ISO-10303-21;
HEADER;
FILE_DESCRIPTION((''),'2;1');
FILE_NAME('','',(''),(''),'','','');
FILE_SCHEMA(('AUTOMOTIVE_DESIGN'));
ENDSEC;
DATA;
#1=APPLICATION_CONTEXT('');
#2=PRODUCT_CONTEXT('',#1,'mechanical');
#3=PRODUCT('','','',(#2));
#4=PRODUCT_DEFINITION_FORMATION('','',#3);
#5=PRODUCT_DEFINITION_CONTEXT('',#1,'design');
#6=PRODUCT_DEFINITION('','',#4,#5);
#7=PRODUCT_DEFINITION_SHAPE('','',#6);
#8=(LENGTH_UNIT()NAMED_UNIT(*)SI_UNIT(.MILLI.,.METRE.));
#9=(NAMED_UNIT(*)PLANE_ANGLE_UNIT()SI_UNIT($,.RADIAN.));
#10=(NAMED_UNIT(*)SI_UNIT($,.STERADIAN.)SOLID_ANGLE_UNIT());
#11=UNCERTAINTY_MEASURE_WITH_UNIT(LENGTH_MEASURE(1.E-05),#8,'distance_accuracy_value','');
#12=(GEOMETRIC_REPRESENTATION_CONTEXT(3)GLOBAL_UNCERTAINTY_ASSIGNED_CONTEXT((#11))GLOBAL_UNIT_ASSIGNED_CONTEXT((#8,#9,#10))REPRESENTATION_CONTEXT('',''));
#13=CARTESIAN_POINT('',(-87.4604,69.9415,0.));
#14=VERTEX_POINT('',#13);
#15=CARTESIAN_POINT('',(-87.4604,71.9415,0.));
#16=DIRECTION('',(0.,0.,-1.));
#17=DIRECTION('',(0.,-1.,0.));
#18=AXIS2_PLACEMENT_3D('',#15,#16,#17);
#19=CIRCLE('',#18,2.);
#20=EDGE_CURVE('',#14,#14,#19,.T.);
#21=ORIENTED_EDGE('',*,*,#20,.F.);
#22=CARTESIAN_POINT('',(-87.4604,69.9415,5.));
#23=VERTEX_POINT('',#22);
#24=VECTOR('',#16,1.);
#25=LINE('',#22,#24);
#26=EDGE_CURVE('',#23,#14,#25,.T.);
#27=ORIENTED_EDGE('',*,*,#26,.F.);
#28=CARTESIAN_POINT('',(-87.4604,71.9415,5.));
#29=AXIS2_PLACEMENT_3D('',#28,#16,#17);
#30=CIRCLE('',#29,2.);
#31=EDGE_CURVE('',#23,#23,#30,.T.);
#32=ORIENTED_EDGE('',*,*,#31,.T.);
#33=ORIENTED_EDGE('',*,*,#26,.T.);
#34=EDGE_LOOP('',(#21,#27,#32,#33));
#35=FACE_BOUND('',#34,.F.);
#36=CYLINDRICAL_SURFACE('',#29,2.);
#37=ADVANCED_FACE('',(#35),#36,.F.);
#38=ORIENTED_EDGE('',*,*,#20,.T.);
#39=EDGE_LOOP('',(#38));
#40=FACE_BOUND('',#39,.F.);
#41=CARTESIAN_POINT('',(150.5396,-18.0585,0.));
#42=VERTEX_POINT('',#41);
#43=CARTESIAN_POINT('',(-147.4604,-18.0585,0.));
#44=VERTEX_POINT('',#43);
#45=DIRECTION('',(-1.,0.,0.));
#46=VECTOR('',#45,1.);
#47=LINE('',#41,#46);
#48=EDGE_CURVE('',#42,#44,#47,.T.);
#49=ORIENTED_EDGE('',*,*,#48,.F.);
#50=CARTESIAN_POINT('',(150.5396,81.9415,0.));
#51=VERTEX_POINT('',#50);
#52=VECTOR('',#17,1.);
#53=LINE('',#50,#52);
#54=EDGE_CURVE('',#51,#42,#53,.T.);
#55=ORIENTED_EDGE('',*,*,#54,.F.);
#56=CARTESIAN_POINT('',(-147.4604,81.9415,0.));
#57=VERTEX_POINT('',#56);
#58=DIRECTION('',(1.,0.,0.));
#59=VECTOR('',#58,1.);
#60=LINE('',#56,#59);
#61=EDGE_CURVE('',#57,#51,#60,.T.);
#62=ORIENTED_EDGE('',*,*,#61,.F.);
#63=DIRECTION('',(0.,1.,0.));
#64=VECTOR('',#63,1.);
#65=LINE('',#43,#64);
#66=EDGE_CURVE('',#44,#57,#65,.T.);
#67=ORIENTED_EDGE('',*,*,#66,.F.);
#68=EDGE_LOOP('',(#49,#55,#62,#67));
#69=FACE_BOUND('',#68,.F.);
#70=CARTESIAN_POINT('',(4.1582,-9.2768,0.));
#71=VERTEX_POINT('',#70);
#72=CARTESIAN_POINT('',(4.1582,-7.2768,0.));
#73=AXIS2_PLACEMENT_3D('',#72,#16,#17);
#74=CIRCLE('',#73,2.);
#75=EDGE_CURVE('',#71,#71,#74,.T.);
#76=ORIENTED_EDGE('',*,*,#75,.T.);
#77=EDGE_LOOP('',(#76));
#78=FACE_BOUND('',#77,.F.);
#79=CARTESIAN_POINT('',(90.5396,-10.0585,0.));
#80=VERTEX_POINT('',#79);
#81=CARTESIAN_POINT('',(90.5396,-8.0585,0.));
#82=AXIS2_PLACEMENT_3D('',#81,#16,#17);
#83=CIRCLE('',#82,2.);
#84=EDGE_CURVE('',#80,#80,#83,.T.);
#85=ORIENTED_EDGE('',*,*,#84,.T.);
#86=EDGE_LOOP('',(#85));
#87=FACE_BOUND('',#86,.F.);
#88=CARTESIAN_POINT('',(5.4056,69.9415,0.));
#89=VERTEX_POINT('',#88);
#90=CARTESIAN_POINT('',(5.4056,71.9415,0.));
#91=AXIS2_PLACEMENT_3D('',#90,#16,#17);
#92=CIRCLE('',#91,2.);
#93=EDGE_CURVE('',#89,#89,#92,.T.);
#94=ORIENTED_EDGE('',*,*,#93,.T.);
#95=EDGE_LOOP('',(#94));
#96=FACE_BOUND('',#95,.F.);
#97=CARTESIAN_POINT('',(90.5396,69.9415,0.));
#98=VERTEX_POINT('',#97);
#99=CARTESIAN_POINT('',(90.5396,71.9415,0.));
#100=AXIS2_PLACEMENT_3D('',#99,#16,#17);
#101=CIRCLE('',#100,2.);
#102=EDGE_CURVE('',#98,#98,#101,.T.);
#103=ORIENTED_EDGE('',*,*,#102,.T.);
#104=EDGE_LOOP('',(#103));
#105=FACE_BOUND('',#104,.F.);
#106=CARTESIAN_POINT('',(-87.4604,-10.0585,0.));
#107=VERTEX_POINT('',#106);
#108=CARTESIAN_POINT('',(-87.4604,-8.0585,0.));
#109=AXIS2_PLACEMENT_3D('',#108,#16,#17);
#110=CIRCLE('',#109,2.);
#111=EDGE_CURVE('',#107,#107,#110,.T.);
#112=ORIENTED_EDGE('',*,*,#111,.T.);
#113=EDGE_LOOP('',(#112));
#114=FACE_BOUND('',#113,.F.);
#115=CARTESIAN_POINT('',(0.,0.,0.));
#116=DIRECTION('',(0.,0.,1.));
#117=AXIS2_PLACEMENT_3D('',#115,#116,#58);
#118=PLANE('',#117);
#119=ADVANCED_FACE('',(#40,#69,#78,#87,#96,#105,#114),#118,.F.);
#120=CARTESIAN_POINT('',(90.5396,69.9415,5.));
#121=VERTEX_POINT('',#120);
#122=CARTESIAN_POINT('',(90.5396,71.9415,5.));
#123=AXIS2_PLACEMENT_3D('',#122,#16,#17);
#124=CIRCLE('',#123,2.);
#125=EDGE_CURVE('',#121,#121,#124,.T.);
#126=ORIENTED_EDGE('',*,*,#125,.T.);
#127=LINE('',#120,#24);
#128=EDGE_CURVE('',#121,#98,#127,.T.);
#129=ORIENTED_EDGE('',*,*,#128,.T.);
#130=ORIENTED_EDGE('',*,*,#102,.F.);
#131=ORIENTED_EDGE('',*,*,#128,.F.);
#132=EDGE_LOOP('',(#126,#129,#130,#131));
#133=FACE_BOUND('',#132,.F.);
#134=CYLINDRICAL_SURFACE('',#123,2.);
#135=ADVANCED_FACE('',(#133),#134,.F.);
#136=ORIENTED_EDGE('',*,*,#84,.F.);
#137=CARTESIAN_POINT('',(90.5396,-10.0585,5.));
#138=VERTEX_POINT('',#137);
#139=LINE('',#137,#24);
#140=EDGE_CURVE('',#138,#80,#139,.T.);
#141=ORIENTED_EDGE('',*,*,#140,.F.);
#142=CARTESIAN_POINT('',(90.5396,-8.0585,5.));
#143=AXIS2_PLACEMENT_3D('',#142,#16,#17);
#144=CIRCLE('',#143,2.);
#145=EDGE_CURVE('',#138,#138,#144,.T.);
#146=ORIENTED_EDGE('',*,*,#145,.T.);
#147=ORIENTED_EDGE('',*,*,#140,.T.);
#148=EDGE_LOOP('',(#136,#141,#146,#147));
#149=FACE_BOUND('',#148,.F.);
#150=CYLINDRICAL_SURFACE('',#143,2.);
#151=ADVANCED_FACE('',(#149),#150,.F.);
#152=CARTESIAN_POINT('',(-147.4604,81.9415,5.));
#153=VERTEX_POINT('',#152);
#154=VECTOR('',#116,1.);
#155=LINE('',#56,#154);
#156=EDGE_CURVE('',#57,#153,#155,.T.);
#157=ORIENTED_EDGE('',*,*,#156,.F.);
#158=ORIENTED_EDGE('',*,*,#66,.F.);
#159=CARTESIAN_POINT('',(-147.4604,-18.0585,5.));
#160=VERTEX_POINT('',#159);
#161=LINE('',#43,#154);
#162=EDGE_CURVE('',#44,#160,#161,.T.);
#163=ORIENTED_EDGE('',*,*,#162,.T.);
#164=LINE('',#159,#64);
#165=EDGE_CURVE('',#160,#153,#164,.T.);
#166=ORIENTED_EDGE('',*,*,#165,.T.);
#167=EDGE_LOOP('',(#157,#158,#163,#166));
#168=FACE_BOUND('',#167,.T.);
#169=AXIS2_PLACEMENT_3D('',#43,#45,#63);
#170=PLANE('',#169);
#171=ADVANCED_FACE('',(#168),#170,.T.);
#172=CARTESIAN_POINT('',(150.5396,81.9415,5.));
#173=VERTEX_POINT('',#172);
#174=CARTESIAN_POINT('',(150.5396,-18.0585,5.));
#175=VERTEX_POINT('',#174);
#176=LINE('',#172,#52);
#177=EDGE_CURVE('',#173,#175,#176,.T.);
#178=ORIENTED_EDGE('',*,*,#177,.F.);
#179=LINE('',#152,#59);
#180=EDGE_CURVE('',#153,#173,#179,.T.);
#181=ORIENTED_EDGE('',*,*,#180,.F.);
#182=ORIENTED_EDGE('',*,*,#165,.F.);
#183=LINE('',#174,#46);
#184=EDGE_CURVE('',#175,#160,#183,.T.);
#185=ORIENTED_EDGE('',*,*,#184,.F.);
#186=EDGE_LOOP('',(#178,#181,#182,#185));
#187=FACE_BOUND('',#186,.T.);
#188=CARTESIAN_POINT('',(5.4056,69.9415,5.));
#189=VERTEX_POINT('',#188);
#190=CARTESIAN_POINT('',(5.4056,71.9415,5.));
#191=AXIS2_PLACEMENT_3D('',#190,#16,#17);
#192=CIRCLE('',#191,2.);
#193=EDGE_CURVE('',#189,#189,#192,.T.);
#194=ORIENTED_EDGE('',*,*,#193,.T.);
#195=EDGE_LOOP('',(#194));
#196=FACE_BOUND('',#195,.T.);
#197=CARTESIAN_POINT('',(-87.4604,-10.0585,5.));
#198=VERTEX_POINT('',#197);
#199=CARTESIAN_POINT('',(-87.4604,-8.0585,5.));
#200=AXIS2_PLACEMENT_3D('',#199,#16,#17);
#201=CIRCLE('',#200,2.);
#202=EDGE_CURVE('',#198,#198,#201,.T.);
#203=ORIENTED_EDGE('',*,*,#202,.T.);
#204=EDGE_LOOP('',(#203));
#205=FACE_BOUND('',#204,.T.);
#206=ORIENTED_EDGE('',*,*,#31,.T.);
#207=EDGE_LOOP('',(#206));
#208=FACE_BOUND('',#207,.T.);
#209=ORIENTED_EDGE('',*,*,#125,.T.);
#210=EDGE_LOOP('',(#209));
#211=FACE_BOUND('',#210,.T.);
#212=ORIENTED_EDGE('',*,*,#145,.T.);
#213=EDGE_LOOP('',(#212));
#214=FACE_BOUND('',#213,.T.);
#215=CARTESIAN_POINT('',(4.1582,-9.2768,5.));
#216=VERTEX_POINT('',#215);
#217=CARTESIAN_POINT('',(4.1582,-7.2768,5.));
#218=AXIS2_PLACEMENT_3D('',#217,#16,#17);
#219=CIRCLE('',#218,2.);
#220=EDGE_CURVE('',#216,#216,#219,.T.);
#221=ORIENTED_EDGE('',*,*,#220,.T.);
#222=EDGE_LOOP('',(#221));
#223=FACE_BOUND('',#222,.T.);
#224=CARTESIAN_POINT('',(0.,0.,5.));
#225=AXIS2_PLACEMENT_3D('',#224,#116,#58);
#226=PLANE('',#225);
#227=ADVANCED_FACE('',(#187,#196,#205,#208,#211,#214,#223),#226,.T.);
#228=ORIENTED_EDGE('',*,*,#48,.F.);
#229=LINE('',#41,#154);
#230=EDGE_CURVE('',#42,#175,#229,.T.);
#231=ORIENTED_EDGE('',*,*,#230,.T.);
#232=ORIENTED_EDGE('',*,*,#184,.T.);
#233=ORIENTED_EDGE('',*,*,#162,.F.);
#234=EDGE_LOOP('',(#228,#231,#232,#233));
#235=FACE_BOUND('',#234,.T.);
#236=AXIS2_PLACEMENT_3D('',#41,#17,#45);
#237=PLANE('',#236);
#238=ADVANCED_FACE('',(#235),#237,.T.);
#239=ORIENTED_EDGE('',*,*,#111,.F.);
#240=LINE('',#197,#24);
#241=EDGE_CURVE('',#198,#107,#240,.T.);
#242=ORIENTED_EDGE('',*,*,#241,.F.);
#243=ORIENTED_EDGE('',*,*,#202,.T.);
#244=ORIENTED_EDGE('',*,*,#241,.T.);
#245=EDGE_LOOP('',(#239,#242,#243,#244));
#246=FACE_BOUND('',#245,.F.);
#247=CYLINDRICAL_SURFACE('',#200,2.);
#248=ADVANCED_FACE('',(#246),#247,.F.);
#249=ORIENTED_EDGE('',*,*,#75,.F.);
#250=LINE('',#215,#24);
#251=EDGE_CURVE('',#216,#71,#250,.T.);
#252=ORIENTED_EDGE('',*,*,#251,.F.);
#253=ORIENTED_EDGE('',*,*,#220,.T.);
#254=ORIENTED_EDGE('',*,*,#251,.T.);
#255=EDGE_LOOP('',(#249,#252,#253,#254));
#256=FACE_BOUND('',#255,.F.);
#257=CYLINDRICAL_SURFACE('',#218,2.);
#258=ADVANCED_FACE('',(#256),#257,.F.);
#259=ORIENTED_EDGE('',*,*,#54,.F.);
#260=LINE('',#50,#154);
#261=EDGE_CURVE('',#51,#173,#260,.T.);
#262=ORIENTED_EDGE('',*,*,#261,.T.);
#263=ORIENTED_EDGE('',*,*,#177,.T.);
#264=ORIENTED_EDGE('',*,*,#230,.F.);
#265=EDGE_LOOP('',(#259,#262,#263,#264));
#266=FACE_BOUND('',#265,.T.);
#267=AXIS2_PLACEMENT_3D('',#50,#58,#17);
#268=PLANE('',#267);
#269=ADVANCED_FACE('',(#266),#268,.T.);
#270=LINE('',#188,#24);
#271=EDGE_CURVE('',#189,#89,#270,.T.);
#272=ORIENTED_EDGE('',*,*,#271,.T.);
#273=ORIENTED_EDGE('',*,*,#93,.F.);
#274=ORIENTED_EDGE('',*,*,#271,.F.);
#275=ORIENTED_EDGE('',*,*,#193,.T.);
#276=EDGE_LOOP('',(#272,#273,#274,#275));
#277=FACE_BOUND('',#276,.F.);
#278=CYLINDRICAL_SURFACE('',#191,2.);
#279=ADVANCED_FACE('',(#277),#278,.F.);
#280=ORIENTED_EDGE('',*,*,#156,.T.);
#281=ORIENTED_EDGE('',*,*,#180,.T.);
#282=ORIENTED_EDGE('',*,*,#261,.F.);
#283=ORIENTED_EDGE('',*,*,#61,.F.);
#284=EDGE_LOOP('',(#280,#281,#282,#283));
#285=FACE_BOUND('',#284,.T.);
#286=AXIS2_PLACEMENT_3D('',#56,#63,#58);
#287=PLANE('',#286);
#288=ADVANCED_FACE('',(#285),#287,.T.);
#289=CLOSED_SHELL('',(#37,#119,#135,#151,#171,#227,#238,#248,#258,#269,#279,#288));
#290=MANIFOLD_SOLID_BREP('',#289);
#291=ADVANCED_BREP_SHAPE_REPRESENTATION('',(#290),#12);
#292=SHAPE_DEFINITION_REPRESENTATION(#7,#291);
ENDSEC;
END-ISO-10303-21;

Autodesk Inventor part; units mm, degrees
ref_plane "YZ Plane" through (0, 0, 0) normal (1, 0, 0) x (0, 1, 0)
ref_plane "XZ Plane" through (0, 0, 0) normal (0, 1, 0) x (-1, 0, 0)
ref_plane "XY Plane" through (0, 0, 0) normal (0, 0, 1) x (1, 0, 0)
sketch "Sketch1" plane through (0, 0, 0) normal (0, 0, 1) x (1, 0, 0)
  line L0 (-147.4604, 81.9415) -> (150.5396, 81.9415)
  line L1 (150.5396, 81.9415) -> (150.5396, -18.0585)
  line L2 (150.5396, -18.0585) -> (-147.4604, -18.0585)
  line L3 (-147.4604, -18.0585) -> (-147.4604, 81.9415)
  point P0 (0, 0)
extrude "Extrusion1" add sketch "Sketch1" along normal blind 5
sketch "Sketch2" plane through (0, 0, 5) normal (0, 0, 1) x (1, 0, 0)
  line L0 (150.5396, 81.9415) -> (-147.4604, 81.9415) projected
  line L1 (-147.4604, 81.9415) -> (-87.4604, 81.9415)
  line L2 (-87.4604, 81.9415) -> (-147.4604, 81.9415)
  line L3 (-147.4604, 81.9415) -> (-147.4604, 71.9415)
  line L4 (-147.4604, 81.9415) -> (-147.4604, -18.0585) projected
  line L5 (-147.4604, 71.9415) -> (-147.4604, 76.9415)
  line L6 (-87.4604, 81.9415) -> (-87.4604, 71.9415)
  line L7 (-87.4604, 71.9415) -> (-84.9499, 65.8304)
  point P0 (0, 0)
  dimension "d4" = 60
  dimension "d5" = 10
  dimension "d6" = 10
hole "Hole1" at (-87.4604, 71.9415, 5) direction (0, 0, -1) diameter 4 depth 6 tip angle 118
sketch "Sketch3" plane through (0, 0, 5) normal (0, 0, 1) x (1, 0, 0)
  line L0 (150.5396, 81.9415) -> (150.5396, -18.0585) projected
  line L1 (150.5396, 81.9415) -> (90.5396, 81.9415)
  line L2 (-147.4604, 81.9415) -> (150.5396, 81.9415) projected
  line L3 (90.5396, 81.9415) -> (132.2292, 81.9415)
  line L4 (90.5396, 81.9415) -> (90.5396, 71.9415)
  line L5 (90.5396, 71.9415) -> (90.5396, 66.7383)
  point P0 (0, 0)
  dimension "d14" = 60
  dimension "d15" = 10
hole "Hole2" at (90.5396, 71.9415, 5) direction (0, 0, -1) diameter 4 depth 6 tip angle 118
sketch "Sketch4" plane through (0, 0, 5) normal (0, 0, 1) x (1, 0, 0)
  line L0 (150.5396, -18.0585) -> (-147.4604, -18.0585) projected
  line L1 (-147.4604, -18.0585) -> (59852.5396, -18.0585)
  line L2 (-147.4604, -18.0585) -> (-147.4604, 81.9415) projected
  line L3 (59852.5396, -18.0585) -> (-147.4604, -18.0585)
  line L4 (-147.4604, -18.0585) -> (-87.4604, -18.0585)
  line L5 (-87.4604, -18.0585) -> (-147.4604, -18.0585)
  line L6 (-87.4604, -18.0585) -> (-87.4604, -8.0585)
  line L7 (-87.4604, -8.0585) -> (-87.4604, -4.3661)
  point P0 (0, 0)
  dimension "d23" = 60000
  dimension "d24" = 60
  dimension "d25" = 10
hole "Hole3" at (-87.4604, -8.0585, 5) direction (0, 0, -1) diameter 4 depth 6 tip angle 118
sketch "Sketch5" plane through (0, 0, 5) normal (0, 0, 1) x (1, 0, 0)
  line L0 (150.5396, 81.9415) -> (150.5396, -18.0585) projected
  line L1 (150.5396, -18.0585) -> (90.5396, -18.0585)
  line L2 (150.5396, -18.0585) -> (-147.4604, -18.0585) projected
  line L3 (90.5396, -18.0585) -> (90.5396, -8.0585)
  line L4 (90.5396, -8.0585) -> (90.5396, -4.7819)
  point P0 (0, 0)
  dimension "d33" = 60
  dimension "d34" = 10
hole "Hole4" at (90.5396, -8.0585, 5) direction (0, 0, -1) diameter 4 depth 6 tip angle 118
sketch "Sketch6" plane through (0, 0, 5) normal (0, 0, 1) x (1, 0, 0)
  circle A0 centre (-87.4604, 71.9415) radius 2 projected
  line L0 (-87.4604, 71.9415) -> (5.4056, 71.9415)
  line L1 (5.4056, 71.9415) -> (-84.5944, 71.9415)
  line L2 (-84.5944, 71.9415) -> (5.4056, 71.9415)
  point P0 (0, 0)
  dimension "d42" = 90
hole "Hole5" at (5.4056, 71.9415, 5) direction (0, 0, -1) diameter 4 depth 6 tip angle 118
sketch "Sketch7" plane through (0, 0, 5) normal (0, 0, 1) x (1, 0, 0)
  circle A0 centre (-87.4604, -8.0585) radius 2 projected
  line L0 (-87.4604, -10.0585) -> (2.9107, -10.0585)
  line L1 (2.9107, -10.0585) -> (-87.0893, -10.0585)
  point P0 (0, 0)
  dimension "d50" = 90
sketch "Sketch8" plane through (0, 0, 5) normal (0, 0, 1) x (1, 0, 0)
  point P0 (0, 0)
  point P1 (4.1582, -7.2768)
hole "Hole6" at (4.1582, -7.2768, 5) direction (0, 0, -1) diameter 4 depth 6 tip angle 118
properties part number "acrilesheet_base"
